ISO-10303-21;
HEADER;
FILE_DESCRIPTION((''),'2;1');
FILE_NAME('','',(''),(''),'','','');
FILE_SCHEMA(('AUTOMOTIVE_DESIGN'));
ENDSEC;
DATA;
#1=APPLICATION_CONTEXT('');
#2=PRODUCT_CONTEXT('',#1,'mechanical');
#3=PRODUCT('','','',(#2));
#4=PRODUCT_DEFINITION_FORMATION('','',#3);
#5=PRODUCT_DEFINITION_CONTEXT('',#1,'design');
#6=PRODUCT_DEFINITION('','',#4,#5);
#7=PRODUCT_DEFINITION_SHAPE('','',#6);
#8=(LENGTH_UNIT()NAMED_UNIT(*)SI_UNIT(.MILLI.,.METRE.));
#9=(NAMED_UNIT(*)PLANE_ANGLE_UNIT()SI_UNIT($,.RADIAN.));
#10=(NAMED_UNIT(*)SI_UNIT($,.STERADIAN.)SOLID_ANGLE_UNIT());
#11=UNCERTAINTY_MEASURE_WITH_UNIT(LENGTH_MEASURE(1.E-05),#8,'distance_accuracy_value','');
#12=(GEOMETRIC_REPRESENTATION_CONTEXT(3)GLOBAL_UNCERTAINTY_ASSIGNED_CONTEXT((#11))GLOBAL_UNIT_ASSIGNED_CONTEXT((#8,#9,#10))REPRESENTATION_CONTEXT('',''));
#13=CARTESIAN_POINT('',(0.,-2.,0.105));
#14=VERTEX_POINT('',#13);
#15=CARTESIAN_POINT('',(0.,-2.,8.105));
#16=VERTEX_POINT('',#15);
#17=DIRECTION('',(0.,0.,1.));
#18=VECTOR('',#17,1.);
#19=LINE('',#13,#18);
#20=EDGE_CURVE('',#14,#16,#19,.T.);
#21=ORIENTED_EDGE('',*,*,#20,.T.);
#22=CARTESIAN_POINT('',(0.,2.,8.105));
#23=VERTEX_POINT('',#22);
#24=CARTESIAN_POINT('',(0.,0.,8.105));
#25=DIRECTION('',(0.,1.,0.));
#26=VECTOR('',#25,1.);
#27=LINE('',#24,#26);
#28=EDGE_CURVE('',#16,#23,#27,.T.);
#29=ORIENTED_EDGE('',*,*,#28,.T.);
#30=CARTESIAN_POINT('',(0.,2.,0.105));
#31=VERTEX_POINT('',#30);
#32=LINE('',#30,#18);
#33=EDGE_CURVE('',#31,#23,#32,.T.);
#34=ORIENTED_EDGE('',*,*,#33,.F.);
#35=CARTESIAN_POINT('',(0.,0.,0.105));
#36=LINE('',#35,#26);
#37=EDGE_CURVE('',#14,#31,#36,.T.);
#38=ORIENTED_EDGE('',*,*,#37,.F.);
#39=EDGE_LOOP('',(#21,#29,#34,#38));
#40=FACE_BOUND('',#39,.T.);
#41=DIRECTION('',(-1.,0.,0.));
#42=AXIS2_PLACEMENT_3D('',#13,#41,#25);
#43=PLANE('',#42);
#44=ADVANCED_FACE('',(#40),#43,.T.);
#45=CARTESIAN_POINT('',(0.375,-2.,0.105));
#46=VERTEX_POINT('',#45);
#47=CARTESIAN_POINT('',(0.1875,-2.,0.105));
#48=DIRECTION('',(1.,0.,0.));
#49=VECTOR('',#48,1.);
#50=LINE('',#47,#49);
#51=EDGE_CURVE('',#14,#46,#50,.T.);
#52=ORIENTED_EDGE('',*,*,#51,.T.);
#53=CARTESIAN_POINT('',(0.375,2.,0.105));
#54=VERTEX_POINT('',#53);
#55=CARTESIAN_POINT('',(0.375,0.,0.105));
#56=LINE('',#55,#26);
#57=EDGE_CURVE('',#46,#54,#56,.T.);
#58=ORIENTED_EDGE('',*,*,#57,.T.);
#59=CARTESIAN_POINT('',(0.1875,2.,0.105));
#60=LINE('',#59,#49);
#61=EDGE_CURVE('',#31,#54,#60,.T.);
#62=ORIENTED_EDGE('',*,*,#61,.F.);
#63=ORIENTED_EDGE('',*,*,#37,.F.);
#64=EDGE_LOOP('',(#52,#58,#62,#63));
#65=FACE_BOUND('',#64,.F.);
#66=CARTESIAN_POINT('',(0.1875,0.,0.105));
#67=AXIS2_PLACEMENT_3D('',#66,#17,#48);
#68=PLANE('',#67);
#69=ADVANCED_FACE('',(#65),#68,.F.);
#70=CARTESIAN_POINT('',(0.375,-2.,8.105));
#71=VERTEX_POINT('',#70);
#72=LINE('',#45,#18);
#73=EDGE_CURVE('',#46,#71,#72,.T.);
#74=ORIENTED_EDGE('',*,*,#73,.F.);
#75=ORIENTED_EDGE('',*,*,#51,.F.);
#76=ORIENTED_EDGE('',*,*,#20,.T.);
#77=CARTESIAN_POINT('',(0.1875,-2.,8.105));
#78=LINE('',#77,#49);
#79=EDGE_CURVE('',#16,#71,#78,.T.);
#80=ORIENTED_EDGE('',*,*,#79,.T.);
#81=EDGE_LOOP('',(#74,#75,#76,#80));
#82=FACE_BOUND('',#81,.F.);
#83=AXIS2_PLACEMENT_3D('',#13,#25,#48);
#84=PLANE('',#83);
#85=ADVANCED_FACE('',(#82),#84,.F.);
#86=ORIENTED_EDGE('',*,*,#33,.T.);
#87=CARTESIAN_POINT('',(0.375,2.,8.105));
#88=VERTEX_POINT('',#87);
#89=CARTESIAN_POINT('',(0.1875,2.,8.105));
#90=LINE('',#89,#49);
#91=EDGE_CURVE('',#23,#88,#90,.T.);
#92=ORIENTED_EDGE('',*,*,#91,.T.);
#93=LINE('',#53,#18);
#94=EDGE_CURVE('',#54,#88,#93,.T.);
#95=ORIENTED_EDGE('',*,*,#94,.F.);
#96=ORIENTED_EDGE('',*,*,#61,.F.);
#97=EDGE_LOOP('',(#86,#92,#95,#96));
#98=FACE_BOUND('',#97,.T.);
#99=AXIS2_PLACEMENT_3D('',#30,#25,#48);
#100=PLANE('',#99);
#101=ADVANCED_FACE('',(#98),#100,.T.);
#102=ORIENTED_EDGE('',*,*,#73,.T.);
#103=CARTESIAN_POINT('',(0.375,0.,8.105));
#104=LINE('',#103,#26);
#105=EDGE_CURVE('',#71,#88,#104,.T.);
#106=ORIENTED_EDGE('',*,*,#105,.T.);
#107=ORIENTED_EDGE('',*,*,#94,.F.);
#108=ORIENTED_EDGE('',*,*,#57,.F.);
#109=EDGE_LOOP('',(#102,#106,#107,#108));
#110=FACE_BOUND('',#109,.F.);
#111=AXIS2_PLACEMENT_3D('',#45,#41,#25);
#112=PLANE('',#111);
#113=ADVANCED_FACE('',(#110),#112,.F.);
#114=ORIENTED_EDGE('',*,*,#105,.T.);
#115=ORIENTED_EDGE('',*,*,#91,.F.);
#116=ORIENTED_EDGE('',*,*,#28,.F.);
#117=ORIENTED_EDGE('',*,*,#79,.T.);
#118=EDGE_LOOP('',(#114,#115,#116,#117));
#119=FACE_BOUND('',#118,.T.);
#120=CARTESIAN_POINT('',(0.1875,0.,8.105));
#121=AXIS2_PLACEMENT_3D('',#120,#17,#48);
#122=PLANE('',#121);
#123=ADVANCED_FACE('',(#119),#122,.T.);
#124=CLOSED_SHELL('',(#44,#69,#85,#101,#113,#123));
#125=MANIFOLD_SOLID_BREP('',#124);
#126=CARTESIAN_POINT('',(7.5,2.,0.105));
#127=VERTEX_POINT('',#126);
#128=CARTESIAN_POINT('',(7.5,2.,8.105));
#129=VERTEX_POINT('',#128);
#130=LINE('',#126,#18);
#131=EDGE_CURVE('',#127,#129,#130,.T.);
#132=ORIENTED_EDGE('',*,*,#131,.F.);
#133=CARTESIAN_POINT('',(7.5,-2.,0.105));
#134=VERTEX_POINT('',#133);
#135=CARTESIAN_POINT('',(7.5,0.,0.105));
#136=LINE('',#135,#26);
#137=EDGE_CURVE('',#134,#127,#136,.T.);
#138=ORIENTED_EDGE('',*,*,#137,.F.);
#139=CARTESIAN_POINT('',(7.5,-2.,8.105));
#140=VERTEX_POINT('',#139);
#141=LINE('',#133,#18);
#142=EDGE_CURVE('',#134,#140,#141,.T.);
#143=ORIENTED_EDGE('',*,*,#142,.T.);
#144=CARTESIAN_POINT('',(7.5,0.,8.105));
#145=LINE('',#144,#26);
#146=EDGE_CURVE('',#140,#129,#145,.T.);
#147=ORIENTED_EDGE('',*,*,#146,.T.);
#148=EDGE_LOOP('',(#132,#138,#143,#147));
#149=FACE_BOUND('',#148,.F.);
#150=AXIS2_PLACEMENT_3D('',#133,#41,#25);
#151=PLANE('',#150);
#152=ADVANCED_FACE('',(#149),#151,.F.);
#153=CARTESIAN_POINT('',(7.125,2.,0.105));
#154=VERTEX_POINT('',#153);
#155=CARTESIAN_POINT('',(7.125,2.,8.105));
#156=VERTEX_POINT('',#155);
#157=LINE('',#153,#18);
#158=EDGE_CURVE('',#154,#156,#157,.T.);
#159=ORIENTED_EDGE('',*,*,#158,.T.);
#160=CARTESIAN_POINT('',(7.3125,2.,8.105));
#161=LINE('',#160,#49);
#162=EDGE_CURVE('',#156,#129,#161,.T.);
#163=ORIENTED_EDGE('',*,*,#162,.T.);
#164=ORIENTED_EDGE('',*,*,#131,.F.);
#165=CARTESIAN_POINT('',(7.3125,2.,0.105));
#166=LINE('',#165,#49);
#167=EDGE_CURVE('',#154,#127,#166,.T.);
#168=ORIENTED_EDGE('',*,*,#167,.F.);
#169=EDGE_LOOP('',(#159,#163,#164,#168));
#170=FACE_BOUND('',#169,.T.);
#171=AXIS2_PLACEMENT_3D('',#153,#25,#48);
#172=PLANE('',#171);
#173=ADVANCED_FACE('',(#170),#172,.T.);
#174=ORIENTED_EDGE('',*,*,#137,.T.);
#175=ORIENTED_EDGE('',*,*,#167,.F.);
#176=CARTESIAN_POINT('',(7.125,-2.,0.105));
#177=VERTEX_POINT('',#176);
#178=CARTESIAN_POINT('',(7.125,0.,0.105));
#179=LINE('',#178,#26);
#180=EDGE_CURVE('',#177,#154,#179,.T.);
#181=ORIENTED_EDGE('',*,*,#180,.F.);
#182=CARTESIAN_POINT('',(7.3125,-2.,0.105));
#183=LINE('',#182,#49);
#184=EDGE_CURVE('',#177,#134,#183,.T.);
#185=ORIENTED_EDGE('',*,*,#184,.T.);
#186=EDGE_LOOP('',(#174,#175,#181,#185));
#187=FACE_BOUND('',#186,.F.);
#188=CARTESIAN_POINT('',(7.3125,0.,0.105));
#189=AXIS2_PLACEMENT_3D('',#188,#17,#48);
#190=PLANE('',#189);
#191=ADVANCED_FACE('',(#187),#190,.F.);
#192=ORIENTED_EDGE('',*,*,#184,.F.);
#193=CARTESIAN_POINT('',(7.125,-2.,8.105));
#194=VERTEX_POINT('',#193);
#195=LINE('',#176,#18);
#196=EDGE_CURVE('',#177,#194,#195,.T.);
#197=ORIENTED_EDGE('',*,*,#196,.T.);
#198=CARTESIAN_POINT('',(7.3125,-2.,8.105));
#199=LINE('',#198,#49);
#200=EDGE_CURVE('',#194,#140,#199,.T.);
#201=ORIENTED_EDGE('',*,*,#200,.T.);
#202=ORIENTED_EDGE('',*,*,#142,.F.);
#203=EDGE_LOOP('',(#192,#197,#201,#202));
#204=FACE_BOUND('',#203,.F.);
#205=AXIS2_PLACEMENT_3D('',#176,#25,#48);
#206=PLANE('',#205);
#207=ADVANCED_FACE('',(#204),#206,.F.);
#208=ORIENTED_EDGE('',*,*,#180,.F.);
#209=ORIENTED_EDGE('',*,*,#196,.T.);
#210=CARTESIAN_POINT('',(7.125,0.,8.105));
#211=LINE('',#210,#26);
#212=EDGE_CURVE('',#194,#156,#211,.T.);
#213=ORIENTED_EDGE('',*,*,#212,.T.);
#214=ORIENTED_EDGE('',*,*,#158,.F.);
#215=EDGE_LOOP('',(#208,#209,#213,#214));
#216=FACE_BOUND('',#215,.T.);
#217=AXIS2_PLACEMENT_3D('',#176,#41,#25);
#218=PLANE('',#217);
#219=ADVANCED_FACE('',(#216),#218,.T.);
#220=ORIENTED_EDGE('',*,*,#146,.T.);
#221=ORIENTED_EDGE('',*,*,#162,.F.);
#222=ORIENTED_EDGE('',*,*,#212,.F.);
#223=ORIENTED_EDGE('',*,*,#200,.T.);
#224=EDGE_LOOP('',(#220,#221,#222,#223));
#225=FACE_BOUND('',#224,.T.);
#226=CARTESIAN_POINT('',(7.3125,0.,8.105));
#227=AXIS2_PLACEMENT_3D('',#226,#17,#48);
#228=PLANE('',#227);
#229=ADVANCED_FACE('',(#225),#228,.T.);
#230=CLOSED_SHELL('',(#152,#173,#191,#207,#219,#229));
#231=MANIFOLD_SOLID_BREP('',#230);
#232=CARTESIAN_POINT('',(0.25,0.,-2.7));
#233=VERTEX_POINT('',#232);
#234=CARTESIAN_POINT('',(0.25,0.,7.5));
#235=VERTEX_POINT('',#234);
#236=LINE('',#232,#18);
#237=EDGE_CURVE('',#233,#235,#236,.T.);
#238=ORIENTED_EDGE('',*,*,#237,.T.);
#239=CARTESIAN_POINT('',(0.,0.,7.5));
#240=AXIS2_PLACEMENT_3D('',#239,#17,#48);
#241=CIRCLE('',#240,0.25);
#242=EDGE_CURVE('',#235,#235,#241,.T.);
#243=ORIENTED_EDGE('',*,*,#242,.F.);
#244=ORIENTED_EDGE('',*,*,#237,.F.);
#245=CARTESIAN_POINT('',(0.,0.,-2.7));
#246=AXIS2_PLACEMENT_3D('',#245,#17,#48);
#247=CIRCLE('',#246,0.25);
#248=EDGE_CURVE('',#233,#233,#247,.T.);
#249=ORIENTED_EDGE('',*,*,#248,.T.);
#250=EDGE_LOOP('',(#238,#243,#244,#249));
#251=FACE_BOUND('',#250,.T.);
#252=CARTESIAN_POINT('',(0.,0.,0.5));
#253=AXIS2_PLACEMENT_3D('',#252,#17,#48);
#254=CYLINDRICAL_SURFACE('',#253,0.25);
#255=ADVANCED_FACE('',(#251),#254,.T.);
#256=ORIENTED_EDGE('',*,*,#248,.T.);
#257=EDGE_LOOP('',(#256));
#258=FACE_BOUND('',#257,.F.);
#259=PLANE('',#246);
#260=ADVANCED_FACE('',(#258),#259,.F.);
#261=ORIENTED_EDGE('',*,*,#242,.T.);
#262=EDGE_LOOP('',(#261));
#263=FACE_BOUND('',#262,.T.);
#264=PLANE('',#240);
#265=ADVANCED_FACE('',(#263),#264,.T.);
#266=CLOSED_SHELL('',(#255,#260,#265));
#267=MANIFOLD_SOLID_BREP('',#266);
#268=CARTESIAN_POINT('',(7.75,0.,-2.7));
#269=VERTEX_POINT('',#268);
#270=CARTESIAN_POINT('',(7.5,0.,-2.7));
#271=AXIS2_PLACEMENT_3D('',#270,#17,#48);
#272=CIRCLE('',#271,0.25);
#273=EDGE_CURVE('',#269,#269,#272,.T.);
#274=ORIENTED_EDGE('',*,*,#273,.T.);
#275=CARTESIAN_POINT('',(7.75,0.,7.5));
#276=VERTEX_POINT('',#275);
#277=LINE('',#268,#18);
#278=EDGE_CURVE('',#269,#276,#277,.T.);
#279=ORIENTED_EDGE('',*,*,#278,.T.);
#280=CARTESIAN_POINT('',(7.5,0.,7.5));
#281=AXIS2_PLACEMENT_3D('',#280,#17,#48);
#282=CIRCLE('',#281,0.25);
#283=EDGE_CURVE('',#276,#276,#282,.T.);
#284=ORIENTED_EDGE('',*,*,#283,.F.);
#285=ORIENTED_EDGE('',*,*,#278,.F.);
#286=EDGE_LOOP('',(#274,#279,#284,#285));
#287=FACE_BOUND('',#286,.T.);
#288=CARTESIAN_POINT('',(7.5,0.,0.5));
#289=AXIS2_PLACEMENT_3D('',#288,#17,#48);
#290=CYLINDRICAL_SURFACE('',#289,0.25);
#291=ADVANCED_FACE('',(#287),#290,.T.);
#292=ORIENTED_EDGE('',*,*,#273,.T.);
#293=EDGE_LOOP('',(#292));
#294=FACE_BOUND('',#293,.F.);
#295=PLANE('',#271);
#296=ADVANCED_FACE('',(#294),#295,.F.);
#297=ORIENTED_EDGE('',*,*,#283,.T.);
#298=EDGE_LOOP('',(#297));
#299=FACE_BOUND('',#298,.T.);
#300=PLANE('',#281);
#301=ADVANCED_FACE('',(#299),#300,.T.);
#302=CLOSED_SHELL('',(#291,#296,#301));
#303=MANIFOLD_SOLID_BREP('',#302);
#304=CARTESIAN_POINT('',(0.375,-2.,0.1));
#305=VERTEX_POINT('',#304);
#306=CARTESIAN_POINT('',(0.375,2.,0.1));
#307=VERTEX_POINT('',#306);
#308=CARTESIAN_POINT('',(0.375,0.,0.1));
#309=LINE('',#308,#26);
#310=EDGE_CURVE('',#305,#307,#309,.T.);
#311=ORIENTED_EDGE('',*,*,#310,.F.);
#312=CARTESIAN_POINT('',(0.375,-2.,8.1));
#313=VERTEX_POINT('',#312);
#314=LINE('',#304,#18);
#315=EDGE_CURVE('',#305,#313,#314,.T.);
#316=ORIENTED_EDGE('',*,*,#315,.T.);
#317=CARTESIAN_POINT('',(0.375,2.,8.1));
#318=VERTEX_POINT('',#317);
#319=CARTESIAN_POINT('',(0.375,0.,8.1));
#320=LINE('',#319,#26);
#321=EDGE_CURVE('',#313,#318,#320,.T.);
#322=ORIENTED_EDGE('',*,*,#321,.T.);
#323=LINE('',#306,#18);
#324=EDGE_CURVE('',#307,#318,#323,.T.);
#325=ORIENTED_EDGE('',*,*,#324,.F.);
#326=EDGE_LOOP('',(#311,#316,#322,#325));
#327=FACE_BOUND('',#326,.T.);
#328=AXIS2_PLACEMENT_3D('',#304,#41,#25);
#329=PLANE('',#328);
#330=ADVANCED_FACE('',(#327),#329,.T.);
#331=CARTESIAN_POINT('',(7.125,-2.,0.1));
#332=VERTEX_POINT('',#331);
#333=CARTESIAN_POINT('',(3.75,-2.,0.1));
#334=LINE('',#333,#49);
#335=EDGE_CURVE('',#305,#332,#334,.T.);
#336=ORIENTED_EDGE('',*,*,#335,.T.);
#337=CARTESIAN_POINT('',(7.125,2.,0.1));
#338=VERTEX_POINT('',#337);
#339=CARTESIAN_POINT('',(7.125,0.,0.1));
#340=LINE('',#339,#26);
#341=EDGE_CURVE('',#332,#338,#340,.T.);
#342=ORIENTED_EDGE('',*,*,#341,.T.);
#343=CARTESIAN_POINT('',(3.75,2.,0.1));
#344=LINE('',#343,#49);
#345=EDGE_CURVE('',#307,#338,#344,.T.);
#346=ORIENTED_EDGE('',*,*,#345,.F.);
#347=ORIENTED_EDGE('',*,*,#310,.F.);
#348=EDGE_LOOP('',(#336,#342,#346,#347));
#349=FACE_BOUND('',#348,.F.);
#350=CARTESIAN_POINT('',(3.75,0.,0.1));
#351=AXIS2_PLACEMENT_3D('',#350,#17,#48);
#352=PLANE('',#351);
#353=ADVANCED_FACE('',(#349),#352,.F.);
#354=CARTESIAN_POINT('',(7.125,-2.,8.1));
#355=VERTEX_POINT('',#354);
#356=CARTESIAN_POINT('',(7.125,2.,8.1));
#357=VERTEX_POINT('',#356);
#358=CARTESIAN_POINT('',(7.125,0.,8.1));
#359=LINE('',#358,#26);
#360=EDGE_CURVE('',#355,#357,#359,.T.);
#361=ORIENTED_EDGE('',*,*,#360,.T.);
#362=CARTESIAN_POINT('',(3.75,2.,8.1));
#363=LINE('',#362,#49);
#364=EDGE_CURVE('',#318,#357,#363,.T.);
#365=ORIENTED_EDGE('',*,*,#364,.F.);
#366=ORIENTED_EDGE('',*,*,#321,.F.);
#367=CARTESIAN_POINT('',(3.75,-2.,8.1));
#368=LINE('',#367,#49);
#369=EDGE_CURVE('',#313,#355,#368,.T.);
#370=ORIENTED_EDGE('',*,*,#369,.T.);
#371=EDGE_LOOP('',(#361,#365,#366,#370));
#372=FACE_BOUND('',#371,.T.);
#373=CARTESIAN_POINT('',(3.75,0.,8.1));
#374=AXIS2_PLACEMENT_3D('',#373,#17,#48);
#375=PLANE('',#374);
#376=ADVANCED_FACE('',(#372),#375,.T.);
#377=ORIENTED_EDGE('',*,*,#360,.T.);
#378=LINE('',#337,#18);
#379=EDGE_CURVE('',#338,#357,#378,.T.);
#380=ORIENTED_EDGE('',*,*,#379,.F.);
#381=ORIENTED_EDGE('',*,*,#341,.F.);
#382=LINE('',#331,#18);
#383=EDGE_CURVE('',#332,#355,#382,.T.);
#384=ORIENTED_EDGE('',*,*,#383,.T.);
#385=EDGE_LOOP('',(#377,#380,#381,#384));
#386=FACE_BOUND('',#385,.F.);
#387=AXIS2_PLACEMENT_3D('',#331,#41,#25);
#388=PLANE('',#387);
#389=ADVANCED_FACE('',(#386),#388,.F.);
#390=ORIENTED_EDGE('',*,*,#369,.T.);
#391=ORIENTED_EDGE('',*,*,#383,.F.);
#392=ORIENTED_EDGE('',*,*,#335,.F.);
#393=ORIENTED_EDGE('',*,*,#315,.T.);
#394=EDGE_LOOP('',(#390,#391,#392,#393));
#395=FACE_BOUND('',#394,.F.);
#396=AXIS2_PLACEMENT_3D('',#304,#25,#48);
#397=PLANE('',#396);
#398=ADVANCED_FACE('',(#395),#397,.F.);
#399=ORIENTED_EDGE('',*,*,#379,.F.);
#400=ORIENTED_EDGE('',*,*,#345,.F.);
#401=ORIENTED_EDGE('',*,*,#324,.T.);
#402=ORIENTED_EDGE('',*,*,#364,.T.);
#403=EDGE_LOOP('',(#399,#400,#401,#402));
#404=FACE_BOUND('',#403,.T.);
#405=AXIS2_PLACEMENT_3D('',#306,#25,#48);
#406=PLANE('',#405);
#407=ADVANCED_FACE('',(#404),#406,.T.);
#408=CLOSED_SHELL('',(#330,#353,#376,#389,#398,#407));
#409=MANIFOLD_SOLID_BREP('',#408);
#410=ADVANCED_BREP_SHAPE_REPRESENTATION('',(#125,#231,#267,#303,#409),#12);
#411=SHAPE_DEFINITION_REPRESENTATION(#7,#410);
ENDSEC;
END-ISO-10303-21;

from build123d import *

# Parameters (mm, degrees)
SKETCH_W          = 6.75
SKETCH_H          = 4
PAD_DEPTH         = 8
SKETCH001_R       = 0.25
PAD001_DEPTH      = 7
PAD001_DEPTH_BACK = 3.2
SKETCH002_W       = 0.375
SKETCH002_H       = 4
PAD002_DEPTH      = 8


with BuildPart() as pad:
    # Sketch → Pad (new body)
    with BuildSketch(Plane.XY.offset(0.1)):
        with Locations((3.75, 0)):
            Rectangle(SKETCH_W, SKETCH_H)
    extrude(amount=PAD_DEPTH)


with BuildPart() as pad001:
    # Sketch001 → Pad001 (new body, two sides)
    with BuildSketch(Plane.XY.offset(0.5)) as pad001_sk:
        Circle(SKETCH001_R)
        with Locations((7.5, 0)):
            Circle(SKETCH001_R)
    extrude(amount=PAD001_DEPTH)
    extrude(pad001_sk.sketch, amount=-PAD001_DEPTH_BACK)


with BuildPart() as pad002:
    # Sketch002 → Pad002 (new body)
    with BuildSketch(Plane.XY.offset(0.105)):
        with Locations((0.1875, 0)):
            Rectangle(SKETCH002_W, SKETCH002_H)
        with Locations((7.3125, 0)):
            Rectangle(SKETCH002_W, SKETCH002_H)
    extrude(amount=PAD002_DEPTH)


solid = Compound([pad.part, pad001.part, pad002.part])
